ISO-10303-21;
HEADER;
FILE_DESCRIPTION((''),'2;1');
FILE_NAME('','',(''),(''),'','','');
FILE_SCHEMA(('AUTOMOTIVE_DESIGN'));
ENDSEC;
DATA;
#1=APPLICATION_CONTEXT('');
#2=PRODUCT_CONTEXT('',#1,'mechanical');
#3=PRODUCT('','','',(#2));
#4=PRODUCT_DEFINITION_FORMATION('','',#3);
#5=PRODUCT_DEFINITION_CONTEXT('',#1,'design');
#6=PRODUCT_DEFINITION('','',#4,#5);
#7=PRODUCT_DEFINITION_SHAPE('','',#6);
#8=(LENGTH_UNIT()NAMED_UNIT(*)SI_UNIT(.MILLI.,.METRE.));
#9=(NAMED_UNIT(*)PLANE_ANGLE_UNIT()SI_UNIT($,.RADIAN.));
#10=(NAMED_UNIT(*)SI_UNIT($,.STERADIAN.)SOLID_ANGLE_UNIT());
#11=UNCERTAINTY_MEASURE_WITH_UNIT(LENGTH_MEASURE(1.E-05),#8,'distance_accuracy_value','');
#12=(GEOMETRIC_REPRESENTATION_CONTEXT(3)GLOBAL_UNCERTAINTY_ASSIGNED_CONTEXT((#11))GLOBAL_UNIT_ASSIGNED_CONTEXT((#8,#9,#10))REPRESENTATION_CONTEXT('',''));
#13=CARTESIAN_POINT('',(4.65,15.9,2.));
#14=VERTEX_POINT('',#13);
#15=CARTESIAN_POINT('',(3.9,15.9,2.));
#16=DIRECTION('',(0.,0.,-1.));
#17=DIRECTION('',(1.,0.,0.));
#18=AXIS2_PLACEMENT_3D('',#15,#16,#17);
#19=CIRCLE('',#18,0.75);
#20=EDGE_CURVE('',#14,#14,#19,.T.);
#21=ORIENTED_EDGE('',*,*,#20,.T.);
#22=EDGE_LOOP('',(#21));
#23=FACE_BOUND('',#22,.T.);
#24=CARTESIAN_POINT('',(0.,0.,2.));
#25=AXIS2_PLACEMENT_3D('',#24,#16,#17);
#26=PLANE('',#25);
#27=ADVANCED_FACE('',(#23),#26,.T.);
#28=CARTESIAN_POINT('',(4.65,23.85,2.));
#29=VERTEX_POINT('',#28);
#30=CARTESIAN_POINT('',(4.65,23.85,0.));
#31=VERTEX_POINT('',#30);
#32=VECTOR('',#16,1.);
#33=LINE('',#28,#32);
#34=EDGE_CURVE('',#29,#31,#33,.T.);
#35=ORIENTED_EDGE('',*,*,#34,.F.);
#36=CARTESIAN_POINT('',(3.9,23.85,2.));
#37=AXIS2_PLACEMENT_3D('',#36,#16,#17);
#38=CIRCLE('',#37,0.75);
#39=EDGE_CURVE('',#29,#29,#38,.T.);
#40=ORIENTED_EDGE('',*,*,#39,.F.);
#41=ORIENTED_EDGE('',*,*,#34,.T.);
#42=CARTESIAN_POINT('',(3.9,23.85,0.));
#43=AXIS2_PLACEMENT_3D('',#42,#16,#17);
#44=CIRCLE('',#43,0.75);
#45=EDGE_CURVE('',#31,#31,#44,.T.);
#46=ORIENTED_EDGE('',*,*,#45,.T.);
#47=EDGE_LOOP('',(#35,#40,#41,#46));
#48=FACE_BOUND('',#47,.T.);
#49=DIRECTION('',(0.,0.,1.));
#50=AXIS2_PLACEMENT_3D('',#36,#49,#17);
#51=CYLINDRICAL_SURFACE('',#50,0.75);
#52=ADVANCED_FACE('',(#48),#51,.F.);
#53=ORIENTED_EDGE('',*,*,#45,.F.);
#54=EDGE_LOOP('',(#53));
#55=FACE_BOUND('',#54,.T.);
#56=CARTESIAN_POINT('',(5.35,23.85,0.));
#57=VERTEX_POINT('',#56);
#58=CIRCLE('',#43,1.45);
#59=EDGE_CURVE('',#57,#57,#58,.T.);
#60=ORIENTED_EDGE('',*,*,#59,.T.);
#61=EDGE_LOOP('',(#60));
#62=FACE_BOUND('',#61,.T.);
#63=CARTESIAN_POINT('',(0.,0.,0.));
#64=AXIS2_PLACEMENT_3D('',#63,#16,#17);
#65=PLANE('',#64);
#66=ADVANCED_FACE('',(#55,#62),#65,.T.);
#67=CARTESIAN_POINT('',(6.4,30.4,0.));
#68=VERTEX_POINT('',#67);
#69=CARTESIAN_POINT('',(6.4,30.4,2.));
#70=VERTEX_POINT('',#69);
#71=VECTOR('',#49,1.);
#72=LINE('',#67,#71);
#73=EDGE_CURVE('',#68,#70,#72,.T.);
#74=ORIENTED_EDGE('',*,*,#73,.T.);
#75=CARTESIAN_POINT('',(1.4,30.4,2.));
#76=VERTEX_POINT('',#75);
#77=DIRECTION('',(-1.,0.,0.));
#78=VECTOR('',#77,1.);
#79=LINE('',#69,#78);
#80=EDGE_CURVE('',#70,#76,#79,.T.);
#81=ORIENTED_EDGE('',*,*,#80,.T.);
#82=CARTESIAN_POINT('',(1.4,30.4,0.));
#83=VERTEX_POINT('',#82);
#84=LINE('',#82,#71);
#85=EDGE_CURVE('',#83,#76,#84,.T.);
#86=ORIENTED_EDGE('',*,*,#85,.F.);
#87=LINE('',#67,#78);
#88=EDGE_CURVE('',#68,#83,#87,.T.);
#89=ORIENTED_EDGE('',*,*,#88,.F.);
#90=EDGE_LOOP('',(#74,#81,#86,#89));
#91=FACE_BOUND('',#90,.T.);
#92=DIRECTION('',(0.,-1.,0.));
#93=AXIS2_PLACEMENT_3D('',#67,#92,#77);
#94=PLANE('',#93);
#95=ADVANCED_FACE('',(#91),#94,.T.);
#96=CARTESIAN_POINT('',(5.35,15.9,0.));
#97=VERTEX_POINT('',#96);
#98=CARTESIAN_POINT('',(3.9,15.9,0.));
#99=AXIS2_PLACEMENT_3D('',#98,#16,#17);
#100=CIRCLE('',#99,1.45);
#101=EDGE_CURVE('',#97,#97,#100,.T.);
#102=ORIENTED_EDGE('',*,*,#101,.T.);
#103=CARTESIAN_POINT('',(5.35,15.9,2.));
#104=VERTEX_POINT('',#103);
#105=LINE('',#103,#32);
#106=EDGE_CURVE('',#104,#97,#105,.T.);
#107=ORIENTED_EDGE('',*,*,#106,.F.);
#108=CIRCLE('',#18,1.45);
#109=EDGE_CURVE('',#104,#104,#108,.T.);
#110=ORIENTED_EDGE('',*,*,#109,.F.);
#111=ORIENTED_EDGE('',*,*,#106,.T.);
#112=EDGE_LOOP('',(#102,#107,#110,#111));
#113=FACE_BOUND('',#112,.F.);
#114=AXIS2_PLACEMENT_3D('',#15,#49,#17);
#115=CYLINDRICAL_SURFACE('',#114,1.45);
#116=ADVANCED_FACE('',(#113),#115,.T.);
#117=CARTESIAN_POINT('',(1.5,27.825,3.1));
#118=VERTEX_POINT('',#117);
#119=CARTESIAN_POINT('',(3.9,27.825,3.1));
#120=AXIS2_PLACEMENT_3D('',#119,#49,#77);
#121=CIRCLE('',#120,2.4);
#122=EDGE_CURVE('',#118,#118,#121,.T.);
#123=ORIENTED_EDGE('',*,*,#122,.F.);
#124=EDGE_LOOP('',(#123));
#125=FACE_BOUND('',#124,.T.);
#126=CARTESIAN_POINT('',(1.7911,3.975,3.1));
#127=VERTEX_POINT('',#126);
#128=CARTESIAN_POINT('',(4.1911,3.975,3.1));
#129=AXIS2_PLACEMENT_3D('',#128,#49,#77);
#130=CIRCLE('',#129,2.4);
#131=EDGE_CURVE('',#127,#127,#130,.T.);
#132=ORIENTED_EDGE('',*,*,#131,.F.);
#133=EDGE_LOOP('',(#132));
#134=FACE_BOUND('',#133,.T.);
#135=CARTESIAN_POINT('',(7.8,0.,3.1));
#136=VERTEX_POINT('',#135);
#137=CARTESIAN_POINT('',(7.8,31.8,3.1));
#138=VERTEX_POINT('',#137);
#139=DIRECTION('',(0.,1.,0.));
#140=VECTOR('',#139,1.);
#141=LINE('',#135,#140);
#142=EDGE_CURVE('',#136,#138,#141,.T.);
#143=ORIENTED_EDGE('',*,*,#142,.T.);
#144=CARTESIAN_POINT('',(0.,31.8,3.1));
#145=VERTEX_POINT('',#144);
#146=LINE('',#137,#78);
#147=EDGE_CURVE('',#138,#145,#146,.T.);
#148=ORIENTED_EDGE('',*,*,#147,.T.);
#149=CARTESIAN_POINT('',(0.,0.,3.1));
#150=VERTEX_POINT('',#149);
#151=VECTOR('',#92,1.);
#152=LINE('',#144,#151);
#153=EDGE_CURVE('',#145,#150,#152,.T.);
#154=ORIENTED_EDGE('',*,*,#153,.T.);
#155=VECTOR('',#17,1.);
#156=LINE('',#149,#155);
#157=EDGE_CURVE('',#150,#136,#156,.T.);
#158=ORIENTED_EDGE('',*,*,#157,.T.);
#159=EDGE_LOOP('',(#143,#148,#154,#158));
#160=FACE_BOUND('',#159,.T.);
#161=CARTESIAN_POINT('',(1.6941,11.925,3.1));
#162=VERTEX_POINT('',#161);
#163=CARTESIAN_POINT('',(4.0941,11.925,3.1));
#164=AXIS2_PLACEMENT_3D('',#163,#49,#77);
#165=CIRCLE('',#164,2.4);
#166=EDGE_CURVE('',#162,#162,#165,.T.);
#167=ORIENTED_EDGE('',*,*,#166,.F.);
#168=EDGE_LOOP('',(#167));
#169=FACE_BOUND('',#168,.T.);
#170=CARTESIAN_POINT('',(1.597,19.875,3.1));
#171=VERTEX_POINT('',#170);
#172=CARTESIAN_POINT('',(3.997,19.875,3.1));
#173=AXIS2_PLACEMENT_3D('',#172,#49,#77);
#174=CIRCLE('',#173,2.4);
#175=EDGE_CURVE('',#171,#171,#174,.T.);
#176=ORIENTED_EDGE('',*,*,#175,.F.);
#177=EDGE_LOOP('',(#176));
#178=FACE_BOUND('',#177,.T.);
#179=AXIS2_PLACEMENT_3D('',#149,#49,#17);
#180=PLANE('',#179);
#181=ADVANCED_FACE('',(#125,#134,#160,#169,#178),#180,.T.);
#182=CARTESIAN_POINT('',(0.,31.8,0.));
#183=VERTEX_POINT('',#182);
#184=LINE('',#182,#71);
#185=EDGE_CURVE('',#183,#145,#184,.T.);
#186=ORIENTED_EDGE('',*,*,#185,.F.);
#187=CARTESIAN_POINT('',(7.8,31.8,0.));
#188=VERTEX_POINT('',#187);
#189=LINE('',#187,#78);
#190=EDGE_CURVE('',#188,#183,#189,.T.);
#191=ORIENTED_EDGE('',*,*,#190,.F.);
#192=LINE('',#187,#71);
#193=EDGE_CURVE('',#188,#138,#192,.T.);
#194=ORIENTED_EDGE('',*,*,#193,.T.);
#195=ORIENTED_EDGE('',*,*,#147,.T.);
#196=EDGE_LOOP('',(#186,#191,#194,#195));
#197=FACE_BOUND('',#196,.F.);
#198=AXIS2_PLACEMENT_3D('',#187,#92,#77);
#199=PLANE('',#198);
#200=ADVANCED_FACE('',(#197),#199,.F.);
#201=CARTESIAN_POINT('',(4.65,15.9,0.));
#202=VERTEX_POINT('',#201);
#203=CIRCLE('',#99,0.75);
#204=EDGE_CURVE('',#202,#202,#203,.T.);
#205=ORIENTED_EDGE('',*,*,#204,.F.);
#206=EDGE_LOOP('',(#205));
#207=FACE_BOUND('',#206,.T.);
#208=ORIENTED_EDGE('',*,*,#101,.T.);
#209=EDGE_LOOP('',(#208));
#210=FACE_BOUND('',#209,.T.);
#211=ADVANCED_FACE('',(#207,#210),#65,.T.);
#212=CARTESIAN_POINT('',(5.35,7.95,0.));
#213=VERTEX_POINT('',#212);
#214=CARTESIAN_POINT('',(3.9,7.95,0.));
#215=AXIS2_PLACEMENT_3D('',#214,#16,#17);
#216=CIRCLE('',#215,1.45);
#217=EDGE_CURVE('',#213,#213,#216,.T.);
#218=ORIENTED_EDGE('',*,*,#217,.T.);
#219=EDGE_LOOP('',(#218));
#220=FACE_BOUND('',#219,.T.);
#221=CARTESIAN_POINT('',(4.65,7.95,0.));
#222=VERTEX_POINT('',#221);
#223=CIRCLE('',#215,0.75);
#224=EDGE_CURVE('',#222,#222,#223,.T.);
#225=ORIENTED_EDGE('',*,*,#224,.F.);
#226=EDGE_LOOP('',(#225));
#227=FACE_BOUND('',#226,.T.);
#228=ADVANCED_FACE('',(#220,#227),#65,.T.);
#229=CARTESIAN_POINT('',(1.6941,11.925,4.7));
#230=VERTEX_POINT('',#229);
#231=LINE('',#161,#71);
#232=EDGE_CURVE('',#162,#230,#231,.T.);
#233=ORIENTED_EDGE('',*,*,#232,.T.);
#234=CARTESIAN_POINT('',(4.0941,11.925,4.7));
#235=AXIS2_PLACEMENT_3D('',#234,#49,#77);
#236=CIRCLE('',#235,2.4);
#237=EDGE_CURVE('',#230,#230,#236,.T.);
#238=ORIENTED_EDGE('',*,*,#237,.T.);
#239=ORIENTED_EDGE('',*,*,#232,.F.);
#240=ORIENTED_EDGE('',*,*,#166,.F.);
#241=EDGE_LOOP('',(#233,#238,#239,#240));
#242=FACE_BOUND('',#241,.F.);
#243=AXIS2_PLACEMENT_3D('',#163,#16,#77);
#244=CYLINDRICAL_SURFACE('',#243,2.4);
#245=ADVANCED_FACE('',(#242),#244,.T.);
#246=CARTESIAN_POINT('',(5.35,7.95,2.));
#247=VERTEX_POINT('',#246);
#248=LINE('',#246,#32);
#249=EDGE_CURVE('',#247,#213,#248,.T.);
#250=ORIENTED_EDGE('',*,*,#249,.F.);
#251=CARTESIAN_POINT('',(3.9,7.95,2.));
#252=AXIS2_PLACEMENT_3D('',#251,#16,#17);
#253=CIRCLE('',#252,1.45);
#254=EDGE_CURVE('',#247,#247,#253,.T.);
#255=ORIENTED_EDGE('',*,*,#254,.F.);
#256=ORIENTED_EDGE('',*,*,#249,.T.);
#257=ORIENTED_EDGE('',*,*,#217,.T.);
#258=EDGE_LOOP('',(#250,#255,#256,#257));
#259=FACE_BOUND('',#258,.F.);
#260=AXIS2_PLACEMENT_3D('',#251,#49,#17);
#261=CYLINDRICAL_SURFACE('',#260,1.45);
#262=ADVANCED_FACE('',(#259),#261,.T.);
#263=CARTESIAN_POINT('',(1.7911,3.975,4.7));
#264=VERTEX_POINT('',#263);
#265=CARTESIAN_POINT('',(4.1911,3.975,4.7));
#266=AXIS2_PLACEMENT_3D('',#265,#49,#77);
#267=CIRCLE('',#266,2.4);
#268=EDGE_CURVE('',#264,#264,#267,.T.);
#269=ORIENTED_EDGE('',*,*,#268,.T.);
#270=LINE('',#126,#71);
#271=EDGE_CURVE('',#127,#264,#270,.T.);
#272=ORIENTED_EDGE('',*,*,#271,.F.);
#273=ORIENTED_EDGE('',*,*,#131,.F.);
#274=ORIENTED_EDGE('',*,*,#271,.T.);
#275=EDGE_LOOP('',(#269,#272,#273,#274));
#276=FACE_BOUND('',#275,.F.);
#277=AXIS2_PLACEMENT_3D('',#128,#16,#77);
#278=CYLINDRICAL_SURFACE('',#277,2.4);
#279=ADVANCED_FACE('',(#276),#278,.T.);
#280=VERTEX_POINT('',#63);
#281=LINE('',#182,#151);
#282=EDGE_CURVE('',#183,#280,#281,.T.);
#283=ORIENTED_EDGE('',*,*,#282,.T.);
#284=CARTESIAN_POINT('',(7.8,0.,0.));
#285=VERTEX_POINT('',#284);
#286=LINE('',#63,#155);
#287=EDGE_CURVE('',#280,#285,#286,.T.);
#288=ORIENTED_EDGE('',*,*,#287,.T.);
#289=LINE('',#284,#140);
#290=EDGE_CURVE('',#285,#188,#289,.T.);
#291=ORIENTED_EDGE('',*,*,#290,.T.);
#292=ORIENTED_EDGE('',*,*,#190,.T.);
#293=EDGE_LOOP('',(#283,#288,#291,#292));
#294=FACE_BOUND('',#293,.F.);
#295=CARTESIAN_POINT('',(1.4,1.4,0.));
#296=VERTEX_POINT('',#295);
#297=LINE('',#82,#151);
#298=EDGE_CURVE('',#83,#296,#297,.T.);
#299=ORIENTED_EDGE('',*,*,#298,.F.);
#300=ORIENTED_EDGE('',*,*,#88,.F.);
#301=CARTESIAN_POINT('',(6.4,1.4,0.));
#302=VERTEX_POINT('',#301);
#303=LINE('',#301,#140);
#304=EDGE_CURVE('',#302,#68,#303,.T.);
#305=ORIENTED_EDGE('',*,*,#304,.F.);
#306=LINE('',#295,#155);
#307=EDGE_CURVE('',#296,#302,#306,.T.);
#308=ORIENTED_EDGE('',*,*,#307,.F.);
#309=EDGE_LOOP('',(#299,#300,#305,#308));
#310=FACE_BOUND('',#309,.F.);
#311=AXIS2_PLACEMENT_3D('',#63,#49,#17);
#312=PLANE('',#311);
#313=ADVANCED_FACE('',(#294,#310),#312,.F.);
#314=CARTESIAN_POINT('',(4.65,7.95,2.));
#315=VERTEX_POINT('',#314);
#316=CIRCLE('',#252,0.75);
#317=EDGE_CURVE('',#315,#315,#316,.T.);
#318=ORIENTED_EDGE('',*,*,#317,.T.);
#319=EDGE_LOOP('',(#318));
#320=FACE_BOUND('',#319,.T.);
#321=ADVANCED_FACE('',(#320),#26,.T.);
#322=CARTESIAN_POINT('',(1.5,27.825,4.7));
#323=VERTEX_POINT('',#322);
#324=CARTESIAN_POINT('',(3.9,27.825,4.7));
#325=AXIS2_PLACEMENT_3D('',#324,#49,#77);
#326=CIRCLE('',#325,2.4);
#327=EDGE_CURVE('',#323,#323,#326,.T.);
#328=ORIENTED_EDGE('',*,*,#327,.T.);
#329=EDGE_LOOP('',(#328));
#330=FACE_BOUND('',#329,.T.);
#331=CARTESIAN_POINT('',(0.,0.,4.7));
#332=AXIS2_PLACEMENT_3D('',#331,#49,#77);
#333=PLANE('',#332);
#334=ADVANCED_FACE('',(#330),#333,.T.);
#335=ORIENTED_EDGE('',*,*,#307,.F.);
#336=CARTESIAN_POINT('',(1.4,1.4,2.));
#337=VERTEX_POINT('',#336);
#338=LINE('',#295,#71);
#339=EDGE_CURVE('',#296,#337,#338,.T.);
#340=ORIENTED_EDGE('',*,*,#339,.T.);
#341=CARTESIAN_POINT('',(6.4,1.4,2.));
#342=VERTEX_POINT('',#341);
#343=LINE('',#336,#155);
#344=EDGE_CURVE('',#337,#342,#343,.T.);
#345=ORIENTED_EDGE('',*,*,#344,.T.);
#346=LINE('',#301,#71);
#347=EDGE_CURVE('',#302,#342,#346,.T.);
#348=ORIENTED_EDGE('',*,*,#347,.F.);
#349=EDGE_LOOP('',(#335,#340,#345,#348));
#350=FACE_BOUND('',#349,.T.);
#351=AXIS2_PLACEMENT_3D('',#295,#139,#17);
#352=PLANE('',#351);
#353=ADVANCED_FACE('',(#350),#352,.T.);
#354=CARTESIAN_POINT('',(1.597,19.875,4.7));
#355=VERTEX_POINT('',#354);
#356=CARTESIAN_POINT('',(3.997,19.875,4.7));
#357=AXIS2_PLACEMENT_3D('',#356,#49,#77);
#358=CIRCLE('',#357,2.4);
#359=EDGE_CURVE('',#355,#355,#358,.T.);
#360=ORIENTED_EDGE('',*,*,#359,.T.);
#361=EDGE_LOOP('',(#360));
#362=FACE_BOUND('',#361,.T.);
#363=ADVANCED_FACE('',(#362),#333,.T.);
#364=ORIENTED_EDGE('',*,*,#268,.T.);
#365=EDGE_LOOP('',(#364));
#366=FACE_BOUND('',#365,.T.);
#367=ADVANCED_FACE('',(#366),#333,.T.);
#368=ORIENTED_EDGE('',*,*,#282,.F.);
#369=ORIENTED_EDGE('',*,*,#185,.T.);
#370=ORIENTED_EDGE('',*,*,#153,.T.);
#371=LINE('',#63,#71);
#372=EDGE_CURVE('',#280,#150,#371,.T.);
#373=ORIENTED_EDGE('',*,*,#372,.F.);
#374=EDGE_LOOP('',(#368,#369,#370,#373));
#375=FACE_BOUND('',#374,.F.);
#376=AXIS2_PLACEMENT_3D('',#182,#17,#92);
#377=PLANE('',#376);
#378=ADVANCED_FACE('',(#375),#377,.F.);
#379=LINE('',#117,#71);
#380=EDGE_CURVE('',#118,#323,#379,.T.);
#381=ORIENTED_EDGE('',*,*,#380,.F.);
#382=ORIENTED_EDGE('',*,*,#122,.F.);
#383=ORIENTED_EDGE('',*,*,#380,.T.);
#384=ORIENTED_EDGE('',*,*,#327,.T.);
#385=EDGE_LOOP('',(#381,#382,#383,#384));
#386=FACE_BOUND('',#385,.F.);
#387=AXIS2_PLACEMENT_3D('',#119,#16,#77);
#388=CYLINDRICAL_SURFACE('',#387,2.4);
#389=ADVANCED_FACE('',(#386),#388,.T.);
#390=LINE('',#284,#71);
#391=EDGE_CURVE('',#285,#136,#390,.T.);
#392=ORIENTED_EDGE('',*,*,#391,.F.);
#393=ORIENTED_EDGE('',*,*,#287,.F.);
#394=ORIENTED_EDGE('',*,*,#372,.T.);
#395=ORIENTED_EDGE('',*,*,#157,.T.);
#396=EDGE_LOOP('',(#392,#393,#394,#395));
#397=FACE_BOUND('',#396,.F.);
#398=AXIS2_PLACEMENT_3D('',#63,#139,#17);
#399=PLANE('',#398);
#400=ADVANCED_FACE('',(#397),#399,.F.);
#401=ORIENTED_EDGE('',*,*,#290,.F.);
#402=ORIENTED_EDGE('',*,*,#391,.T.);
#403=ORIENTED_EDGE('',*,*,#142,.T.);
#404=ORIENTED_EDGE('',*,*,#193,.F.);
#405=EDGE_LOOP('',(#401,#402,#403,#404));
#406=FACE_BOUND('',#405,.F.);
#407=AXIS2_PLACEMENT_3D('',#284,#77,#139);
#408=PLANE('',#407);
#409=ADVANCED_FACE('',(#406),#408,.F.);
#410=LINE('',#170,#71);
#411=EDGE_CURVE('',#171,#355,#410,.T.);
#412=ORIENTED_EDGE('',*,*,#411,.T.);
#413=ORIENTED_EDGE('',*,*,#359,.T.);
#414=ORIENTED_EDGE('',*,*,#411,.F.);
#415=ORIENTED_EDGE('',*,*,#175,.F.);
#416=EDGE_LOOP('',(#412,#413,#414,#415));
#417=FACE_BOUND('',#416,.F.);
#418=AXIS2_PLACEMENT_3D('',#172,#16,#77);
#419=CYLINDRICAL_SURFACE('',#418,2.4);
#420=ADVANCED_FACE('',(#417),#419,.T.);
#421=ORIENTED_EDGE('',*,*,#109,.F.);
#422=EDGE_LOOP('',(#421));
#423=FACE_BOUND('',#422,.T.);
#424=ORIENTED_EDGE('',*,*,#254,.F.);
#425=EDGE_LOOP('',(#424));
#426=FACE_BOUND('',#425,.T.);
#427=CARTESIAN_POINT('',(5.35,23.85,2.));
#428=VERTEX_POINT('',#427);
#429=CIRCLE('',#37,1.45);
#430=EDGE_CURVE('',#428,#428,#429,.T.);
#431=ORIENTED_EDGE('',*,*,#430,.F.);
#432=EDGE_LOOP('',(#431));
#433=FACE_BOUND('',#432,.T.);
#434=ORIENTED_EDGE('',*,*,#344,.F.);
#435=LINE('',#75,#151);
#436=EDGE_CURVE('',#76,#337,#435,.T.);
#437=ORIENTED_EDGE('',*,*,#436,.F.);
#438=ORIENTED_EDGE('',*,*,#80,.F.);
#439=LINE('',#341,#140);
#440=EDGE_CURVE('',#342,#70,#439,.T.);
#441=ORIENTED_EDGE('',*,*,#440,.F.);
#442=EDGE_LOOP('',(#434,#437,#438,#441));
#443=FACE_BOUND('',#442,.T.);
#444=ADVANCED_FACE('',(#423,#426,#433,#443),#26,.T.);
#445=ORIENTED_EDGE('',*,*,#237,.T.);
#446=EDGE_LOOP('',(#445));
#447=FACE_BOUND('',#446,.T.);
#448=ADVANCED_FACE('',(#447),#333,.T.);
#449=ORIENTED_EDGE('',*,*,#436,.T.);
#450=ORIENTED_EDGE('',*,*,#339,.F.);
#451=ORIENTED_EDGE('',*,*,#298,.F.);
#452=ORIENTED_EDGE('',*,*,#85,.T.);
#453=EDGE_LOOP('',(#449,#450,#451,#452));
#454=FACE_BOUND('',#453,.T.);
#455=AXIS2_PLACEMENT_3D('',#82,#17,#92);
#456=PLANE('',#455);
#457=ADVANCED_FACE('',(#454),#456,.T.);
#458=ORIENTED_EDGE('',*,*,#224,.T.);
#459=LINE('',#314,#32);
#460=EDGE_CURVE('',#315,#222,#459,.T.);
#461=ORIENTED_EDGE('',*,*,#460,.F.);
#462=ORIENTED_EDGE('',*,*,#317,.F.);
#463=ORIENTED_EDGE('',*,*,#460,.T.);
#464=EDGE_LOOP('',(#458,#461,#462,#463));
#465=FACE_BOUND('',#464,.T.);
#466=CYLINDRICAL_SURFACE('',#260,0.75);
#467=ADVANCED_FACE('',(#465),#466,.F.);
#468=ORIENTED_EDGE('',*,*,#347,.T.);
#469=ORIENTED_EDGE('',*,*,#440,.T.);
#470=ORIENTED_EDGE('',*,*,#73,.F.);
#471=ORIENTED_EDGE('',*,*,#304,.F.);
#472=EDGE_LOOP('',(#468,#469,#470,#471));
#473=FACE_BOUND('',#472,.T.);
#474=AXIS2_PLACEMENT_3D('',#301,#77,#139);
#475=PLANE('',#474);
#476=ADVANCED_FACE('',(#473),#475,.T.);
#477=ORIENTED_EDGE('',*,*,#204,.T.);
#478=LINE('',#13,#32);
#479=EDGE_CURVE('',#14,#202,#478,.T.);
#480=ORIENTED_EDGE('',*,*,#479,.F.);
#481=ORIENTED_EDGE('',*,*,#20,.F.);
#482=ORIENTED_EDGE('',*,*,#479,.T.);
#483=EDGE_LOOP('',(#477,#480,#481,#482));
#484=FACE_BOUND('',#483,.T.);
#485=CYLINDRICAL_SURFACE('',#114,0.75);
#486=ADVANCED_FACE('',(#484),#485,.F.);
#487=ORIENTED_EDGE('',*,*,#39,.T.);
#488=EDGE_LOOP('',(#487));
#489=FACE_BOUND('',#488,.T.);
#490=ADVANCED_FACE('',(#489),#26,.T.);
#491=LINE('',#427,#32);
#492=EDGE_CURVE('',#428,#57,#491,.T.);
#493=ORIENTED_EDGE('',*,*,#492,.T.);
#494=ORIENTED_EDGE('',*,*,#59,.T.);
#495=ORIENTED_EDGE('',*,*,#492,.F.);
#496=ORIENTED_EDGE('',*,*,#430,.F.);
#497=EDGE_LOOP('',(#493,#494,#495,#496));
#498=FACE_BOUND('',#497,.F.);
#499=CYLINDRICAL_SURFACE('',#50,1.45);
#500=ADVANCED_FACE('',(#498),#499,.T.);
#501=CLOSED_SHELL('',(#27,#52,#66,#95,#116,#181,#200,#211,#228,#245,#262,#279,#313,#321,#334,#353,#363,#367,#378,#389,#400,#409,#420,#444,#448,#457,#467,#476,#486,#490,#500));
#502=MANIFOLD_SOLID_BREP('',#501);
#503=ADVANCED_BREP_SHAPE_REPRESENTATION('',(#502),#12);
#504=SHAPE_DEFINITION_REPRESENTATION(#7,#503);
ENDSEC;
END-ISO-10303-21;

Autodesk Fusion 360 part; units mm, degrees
sketch "Sketch1" plane through (0, 0, 0) normal (0, 0, 1) x (1, 0, 0)
  line L0 (0, 0) -> (7.8, 0)
  line L1 (7.8, 0) -> (7.8, 31.8)
  line L2 (7.8, 31.8) -> (0, 31.8)
  line L3 (0, 31.8) -> (0, 0)
  dimension "d1" = 7.8
  dimension "d2" = 31.8
extrude "Extrude1" add sketch "Sketch1" along normal blind 3.1
sketch "Sketch2" plane through (0, 0, 0) normal (0, 0, -1) x (1, 0, 0)
  line L0 (0, 0) -> (0, -31.8)
  line L1 (0, -31.8) -> (7.8, -31.8)
  line L2 (7.8, -31.8) -> (7.8, 0)
  line L3 (7.8, 0) -> (0, 0)
  line L4 (1.4, -1.4) -> (6.4, -1.4)
  line L5 (6.4, -1.4) -> (6.4, -30.4)
  line L6 (6.4, -30.4) -> (1.4, -30.4)
  line L7 (1.4, -30.4) -> (1.4, -1.4)
  dimension "d5" = 1.4
  dimension "d6" = 1.4
  dimension "d7" = 1.4
  dimension "d8" = 1.4
extrude "Extrude2" cut sketch "Sketch2" against normal blind 2 contours L4 L5 L6 L7
sketch "Sketch3" plane through (0, 0, 3.1) normal (0, 0, 1) x (-1, 0, 0)
  line L0 (0, -31.8) -> (0, 0)
  line L1 (0, 0) -> (-7.8, 0)
  line L2 (-7.8, 0) -> (-7.8, -31.8)
  line L3 (-7.8, -31.8) -> (0, -31.8)
  circle A0 centre (-3.9, -27.825) radius 2.4
  circle A1 centre (-3.997, -19.875) radius 2.4
  circle A2 centre (-4.0941, -11.925) radius 2.4
  circle A3 centre (-4.1911, -3.975) radius 2.4
  dimension "d11" = 4.8
  dimension "d12" = 4.8
  dimension "d13" = 4.8
  dimension "d14" = 4.8
  dimension "d15" = 3.9
  dimension "d16" = 7.95
  dimension "d17" = 7.95
  dimension "d18" = 7.95
  dimension "d19" = 3.975
extrude "Extrude3" add sketch "Sketch3" along normal blind 1.6 contours A0 | A1 | A2 | A3
sketch "Sketch4" plane through (0, 0, 2) normal (0, 0, -1) x (1, 0, 0)
  line L0 (1.4, -30.4) -> (6.4, -30.4)
  line L1 (6.4, -30.4) -> (6.4, -1.4)
  line L2 (6.4, -1.4) -> (1.4, -1.4)
  line L3 (1.4, -1.4) -> (1.4, -30.4)
  circle A0 centre (3.9, -7.95) radius 1.45
  circle A1 centre (3.9, -15.9) radius 1.45
  circle A2 centre (3.9, -23.85) radius 1.45
  circle A3 centre (3.9, -7.95) radius 0.75
  circle A4 centre (3.9, -15.9) radius 0.75
  circle A5 centre (3.9, -23.85) radius 0.75
  dimension "d22" = 2.9
  dimension "d23" = 2.9
  dimension "d24" = 2.9
  dimension "d28" = 7.95
  dimension "d29" = 7.95
  dimension "d30" = 7.95
  dimension "d31" = 3.9
  dimension "d32" = 1.5
  dimension "d33" = 1.5
  dimension "d34" = 1.5
extrude "Extrude4" add sketch "Sketch4" along normal blind 2 contours A0 | A1 | A2
